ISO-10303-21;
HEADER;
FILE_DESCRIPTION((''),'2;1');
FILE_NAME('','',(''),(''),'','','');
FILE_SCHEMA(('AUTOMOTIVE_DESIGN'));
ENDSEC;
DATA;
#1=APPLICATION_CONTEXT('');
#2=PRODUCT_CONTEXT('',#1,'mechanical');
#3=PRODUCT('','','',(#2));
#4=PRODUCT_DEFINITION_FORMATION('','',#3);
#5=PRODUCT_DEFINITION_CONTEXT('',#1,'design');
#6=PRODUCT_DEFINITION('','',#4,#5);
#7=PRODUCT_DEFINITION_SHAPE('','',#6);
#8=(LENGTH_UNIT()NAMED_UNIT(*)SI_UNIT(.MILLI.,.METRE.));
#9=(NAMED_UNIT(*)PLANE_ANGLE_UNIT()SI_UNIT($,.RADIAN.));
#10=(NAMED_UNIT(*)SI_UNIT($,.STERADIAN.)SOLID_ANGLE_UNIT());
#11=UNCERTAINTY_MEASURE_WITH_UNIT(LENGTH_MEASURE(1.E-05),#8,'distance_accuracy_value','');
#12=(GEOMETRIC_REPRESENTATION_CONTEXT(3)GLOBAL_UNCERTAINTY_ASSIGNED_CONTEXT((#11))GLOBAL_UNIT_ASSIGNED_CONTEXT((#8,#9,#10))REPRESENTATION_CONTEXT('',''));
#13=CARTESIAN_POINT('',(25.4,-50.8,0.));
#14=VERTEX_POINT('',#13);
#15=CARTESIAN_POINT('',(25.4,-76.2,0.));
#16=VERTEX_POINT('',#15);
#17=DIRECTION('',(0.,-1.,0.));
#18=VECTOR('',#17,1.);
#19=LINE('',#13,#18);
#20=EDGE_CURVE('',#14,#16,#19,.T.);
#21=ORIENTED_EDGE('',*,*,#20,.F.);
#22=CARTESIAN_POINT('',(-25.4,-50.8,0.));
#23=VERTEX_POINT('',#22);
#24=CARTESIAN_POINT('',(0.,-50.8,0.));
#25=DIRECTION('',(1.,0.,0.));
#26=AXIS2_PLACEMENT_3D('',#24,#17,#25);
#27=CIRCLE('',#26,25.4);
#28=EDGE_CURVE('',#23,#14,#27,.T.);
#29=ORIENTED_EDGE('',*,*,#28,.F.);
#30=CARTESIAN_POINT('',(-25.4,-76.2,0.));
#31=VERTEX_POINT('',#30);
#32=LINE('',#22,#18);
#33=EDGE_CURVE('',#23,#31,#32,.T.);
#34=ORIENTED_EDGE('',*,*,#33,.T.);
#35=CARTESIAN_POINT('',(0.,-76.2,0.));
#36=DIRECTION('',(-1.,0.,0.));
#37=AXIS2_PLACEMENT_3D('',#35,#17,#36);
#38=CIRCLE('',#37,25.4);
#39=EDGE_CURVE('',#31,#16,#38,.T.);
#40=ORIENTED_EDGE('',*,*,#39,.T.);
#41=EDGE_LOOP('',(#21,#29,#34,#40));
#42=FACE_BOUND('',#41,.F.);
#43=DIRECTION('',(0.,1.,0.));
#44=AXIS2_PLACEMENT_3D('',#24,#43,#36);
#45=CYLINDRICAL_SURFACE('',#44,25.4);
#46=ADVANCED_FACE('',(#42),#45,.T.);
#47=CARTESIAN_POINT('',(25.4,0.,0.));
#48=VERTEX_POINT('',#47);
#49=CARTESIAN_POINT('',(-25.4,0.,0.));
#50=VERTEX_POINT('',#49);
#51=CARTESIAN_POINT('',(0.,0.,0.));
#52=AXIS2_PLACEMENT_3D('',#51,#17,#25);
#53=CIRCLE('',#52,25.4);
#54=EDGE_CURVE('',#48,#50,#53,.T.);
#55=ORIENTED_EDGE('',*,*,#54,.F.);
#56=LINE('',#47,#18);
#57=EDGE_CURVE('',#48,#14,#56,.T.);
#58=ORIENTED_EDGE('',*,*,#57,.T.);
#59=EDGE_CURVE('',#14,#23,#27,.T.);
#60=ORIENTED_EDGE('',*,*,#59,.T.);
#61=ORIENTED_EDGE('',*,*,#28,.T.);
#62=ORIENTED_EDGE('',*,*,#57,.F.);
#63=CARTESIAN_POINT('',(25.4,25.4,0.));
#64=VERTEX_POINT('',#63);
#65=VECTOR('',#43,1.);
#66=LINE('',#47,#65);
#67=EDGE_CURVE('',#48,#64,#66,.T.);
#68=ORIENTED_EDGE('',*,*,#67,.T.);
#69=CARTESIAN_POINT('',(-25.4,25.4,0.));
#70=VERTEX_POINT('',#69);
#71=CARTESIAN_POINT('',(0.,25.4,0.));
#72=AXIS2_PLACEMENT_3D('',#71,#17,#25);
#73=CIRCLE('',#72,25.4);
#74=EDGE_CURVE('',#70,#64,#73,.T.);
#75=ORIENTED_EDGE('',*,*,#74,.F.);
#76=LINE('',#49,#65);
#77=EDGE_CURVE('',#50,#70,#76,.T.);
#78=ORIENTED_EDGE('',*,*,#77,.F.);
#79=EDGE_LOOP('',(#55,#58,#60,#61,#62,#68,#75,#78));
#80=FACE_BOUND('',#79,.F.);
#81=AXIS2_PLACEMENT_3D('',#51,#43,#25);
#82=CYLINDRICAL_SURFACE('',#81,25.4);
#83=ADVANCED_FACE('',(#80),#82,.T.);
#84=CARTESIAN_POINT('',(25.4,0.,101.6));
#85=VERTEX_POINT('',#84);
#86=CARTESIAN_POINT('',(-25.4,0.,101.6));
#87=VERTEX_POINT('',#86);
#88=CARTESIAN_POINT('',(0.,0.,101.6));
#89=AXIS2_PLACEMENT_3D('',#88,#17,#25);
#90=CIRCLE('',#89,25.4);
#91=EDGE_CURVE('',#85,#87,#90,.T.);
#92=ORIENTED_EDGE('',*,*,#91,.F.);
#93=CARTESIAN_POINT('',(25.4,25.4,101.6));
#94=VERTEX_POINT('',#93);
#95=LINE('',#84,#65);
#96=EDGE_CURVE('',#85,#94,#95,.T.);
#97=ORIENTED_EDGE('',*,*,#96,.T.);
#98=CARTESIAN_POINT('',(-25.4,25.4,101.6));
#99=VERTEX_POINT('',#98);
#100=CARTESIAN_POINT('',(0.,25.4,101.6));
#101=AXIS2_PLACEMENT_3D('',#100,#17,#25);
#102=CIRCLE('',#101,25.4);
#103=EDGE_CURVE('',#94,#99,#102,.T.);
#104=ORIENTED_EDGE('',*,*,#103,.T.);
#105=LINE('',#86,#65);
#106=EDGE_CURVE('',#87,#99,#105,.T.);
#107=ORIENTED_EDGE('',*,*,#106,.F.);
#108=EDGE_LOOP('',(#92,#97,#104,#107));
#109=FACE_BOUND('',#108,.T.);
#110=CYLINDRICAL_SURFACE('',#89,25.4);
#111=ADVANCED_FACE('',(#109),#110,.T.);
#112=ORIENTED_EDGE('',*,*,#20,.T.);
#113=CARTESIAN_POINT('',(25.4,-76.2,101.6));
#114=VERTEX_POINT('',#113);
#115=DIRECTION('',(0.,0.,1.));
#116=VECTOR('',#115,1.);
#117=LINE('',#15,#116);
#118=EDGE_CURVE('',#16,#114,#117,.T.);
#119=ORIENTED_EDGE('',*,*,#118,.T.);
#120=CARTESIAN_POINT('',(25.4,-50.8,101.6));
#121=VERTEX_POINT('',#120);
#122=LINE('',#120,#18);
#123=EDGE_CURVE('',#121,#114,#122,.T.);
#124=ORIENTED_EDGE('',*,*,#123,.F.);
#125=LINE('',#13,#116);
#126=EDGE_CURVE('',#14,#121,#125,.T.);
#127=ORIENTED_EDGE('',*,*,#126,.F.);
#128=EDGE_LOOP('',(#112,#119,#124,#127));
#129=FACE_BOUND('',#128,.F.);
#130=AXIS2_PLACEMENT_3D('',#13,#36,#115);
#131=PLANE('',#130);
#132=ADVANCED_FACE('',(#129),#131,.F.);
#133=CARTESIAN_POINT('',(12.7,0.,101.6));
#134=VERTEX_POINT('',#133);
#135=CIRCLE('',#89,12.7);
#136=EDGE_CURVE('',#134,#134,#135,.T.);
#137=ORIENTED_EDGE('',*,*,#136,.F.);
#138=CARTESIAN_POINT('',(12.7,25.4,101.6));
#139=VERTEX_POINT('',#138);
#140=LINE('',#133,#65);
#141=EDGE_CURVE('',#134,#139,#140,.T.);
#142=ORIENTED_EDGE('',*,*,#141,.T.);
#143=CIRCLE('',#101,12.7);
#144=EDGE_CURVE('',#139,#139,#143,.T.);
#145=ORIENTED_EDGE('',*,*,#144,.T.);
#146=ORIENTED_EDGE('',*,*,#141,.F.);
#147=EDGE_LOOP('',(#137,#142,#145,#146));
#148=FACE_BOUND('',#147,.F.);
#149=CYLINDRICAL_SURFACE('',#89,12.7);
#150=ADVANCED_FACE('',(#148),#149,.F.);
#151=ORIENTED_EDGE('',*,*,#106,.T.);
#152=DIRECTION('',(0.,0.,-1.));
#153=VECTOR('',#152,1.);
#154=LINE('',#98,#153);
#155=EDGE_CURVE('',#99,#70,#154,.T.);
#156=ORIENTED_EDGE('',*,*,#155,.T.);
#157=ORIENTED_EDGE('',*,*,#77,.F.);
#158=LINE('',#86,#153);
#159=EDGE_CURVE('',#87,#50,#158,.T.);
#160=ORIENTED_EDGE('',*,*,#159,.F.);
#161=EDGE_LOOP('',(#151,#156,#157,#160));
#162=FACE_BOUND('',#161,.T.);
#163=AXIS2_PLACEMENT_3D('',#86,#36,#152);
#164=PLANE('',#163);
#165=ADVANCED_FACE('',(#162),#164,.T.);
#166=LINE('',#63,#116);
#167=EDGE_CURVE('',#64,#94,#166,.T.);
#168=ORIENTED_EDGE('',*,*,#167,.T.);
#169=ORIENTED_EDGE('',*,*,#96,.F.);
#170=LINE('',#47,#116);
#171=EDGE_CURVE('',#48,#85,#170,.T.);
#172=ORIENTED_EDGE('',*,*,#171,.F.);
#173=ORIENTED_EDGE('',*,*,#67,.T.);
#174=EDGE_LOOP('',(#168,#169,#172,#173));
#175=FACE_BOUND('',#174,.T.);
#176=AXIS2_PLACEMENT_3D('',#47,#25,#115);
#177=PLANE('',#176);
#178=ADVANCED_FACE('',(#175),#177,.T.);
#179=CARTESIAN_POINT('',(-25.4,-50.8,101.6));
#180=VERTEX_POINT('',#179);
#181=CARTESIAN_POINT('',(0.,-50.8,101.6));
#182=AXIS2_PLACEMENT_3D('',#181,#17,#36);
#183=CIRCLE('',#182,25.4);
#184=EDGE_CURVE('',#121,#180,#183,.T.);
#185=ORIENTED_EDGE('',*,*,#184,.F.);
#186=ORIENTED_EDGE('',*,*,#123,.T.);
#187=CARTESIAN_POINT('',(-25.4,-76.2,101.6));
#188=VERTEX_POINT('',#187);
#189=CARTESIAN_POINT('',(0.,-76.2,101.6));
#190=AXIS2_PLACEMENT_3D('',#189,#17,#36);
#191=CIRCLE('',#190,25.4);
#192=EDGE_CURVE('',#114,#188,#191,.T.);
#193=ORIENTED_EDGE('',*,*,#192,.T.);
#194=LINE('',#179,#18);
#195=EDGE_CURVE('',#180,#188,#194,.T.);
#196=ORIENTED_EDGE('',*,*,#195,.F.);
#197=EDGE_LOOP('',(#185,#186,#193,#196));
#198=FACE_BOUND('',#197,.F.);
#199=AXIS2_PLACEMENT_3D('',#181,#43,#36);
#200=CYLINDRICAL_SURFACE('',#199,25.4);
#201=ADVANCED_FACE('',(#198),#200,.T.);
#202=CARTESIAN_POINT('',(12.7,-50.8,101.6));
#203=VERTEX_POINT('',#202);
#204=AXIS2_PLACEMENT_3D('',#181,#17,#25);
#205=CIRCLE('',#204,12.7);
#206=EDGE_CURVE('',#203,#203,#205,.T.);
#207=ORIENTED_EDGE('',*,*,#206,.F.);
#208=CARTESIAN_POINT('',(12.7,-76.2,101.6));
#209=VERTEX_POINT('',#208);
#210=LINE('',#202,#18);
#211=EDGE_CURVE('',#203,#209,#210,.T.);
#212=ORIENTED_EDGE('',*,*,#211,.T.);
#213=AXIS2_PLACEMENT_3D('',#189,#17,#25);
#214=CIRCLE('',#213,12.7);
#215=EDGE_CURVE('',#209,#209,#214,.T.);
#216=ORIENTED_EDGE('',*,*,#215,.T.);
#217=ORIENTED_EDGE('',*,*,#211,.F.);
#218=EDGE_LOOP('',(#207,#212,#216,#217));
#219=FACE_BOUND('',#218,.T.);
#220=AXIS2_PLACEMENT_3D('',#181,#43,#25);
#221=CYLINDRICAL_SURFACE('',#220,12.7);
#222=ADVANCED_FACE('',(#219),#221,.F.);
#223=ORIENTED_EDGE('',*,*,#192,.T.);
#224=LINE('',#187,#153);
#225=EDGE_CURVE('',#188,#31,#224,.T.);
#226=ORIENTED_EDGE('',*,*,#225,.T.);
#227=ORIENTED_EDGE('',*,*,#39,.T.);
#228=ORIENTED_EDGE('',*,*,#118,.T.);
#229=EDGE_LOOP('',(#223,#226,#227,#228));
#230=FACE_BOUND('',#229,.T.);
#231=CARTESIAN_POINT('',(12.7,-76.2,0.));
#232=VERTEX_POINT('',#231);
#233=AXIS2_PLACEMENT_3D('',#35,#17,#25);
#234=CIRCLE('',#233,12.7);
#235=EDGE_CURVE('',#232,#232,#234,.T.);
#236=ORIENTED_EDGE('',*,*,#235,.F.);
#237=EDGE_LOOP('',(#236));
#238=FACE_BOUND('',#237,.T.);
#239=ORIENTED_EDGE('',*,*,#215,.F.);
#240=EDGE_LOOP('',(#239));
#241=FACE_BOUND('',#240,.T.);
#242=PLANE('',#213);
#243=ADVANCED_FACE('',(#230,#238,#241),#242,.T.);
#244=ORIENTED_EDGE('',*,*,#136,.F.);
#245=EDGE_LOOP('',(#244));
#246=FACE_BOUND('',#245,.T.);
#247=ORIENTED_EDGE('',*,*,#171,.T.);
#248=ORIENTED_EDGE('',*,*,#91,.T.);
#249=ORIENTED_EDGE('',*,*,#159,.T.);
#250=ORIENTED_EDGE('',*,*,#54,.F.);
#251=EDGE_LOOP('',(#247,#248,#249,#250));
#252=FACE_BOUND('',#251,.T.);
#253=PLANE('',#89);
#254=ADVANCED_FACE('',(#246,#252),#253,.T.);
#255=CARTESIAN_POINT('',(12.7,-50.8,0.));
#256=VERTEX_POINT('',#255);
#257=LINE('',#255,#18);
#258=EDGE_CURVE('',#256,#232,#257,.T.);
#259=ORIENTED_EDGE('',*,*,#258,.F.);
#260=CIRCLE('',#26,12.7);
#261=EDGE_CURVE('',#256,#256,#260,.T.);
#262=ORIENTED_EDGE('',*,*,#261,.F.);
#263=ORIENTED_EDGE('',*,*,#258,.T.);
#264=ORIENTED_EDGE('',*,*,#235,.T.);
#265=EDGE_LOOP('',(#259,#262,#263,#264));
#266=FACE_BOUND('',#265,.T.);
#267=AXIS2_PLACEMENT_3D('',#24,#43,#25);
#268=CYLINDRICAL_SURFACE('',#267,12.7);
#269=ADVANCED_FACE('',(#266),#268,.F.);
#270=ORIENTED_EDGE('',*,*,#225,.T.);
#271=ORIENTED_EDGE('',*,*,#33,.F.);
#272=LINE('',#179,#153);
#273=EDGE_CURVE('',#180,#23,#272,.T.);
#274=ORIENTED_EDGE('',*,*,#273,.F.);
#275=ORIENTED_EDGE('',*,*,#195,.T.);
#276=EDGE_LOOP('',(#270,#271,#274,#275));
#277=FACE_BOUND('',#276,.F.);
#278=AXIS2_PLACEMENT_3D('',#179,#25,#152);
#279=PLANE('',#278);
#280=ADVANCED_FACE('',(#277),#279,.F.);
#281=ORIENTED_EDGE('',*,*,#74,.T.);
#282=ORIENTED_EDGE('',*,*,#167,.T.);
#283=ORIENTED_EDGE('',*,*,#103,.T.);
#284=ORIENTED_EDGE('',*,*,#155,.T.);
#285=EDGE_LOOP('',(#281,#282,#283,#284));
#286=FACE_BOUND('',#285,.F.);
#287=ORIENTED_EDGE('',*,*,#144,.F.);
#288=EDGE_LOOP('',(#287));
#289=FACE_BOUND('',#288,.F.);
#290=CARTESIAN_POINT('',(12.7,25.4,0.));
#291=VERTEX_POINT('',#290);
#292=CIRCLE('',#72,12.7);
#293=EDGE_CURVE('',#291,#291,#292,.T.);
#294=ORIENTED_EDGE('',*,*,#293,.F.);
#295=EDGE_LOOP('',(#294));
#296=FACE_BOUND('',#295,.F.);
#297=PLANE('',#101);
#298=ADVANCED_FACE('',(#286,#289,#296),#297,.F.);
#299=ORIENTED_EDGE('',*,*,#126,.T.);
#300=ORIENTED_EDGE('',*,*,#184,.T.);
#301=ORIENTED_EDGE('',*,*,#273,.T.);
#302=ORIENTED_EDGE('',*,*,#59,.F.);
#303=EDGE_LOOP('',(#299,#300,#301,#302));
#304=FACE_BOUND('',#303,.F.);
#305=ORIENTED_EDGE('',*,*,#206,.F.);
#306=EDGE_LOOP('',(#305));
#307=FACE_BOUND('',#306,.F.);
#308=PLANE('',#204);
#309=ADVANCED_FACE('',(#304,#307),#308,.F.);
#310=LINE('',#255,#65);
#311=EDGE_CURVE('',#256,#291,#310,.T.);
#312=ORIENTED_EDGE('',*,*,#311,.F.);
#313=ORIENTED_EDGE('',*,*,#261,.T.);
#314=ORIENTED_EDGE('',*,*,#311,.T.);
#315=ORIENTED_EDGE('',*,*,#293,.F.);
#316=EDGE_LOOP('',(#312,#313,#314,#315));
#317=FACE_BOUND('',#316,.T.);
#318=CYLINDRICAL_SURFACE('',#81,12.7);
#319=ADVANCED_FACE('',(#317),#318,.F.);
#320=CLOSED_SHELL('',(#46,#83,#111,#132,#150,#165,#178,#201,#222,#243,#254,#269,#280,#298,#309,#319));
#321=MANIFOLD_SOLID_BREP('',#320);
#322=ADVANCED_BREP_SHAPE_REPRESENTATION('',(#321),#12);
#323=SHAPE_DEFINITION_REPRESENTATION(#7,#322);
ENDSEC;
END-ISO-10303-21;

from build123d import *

# Parameters (mm, degrees)
F0_R     = 12.7
F1_DEPTH = 25.4
F2_DEPTH = 50.8
F3_R     = 12.7
F4_DEPTH = 25.4


with BuildPart() as f1:
    # F0 (on Front) → F1 (new body)
    with BuildSketch(Plane.XZ):
        with BuildLine():
            ThreePointArc((-25.4, 101.6), (0, 76.2), (25.4, 101.6))
            ThreePointArc((25.4, 101.6), (0, 127), (-25.4, 101.6))
        make_face()
        with Locations((0, 101.6)):
            Circle(F0_R, mode=Mode.SUBTRACT)
        with BuildLine():
            ThreePointArc((-25.4, 0), (0, 25.4), (25.4, 0))
            Line((25.4, 0), (25.4, 101.6))
            ThreePointArc((25.4, 101.6), (0, 76.2), (-25.4, 101.6))
            Line((-25.4, 101.6), (-25.4, 0))
        make_face()
        with BuildLine():
            ThreePointArc((-25.4, 0), (0, -25.4), (25.4, 0))
            ThreePointArc((25.4, 0), (0, 25.4), (-25.4, 0))
        make_face()
        Circle(F0_R, mode=Mode.SUBTRACT)
    extrude(amount=-F1_DEPTH)

    # F0 (on Front) → F2 (join)
    with BuildSketch(Plane.XZ):
        with BuildLine():
            ThreePointArc((-25.4, 0), (0, -25.4), (25.4, 0))
            ThreePointArc((25.4, 0), (0, 25.4), (-25.4, 0))
        make_face()
        Circle(F0_R, mode=Mode.SUBTRACT)
    extrude(amount=F2_DEPTH)

    # F3 (on face) → F4 (join)
    with BuildSketch(Plane.XZ.offset(50.8)):
        with BuildLine():
            ThreePointArc((25.4, 101.6), (0, 127), (-25.4, 101.6))
            ThreePointArc((-25.4, 101.6), (0, 76.2), (25.4, 101.6))
        make_face()
        with Locations((0, 101.6)):
            Circle(F3_R, mode=Mode.SUBTRACT)
        with BuildLine():
            ThreePointArc((25.4, 101.6), (0, 76.2), (-25.4, 101.6))
            Line((-25.4, 101.6), (-25.4, 0))
            ThreePointArc((-25.4, 0), (0, 25.4), (25.4, 0))
            Line((25.4, 0), (25.4, 101.6))
        make_face()
        with BuildLine():
            ThreePointArc((25.4, 0), (0, 25.4), (-25.4, 0))
            ThreePointArc((-25.4, 0), (0, -25.4), (25.4, 0))
        make_face()
        Circle(F3_R, mode=Mode.SUBTRACT)
    extrude(amount=F4_DEPTH)


solid = f1.part
